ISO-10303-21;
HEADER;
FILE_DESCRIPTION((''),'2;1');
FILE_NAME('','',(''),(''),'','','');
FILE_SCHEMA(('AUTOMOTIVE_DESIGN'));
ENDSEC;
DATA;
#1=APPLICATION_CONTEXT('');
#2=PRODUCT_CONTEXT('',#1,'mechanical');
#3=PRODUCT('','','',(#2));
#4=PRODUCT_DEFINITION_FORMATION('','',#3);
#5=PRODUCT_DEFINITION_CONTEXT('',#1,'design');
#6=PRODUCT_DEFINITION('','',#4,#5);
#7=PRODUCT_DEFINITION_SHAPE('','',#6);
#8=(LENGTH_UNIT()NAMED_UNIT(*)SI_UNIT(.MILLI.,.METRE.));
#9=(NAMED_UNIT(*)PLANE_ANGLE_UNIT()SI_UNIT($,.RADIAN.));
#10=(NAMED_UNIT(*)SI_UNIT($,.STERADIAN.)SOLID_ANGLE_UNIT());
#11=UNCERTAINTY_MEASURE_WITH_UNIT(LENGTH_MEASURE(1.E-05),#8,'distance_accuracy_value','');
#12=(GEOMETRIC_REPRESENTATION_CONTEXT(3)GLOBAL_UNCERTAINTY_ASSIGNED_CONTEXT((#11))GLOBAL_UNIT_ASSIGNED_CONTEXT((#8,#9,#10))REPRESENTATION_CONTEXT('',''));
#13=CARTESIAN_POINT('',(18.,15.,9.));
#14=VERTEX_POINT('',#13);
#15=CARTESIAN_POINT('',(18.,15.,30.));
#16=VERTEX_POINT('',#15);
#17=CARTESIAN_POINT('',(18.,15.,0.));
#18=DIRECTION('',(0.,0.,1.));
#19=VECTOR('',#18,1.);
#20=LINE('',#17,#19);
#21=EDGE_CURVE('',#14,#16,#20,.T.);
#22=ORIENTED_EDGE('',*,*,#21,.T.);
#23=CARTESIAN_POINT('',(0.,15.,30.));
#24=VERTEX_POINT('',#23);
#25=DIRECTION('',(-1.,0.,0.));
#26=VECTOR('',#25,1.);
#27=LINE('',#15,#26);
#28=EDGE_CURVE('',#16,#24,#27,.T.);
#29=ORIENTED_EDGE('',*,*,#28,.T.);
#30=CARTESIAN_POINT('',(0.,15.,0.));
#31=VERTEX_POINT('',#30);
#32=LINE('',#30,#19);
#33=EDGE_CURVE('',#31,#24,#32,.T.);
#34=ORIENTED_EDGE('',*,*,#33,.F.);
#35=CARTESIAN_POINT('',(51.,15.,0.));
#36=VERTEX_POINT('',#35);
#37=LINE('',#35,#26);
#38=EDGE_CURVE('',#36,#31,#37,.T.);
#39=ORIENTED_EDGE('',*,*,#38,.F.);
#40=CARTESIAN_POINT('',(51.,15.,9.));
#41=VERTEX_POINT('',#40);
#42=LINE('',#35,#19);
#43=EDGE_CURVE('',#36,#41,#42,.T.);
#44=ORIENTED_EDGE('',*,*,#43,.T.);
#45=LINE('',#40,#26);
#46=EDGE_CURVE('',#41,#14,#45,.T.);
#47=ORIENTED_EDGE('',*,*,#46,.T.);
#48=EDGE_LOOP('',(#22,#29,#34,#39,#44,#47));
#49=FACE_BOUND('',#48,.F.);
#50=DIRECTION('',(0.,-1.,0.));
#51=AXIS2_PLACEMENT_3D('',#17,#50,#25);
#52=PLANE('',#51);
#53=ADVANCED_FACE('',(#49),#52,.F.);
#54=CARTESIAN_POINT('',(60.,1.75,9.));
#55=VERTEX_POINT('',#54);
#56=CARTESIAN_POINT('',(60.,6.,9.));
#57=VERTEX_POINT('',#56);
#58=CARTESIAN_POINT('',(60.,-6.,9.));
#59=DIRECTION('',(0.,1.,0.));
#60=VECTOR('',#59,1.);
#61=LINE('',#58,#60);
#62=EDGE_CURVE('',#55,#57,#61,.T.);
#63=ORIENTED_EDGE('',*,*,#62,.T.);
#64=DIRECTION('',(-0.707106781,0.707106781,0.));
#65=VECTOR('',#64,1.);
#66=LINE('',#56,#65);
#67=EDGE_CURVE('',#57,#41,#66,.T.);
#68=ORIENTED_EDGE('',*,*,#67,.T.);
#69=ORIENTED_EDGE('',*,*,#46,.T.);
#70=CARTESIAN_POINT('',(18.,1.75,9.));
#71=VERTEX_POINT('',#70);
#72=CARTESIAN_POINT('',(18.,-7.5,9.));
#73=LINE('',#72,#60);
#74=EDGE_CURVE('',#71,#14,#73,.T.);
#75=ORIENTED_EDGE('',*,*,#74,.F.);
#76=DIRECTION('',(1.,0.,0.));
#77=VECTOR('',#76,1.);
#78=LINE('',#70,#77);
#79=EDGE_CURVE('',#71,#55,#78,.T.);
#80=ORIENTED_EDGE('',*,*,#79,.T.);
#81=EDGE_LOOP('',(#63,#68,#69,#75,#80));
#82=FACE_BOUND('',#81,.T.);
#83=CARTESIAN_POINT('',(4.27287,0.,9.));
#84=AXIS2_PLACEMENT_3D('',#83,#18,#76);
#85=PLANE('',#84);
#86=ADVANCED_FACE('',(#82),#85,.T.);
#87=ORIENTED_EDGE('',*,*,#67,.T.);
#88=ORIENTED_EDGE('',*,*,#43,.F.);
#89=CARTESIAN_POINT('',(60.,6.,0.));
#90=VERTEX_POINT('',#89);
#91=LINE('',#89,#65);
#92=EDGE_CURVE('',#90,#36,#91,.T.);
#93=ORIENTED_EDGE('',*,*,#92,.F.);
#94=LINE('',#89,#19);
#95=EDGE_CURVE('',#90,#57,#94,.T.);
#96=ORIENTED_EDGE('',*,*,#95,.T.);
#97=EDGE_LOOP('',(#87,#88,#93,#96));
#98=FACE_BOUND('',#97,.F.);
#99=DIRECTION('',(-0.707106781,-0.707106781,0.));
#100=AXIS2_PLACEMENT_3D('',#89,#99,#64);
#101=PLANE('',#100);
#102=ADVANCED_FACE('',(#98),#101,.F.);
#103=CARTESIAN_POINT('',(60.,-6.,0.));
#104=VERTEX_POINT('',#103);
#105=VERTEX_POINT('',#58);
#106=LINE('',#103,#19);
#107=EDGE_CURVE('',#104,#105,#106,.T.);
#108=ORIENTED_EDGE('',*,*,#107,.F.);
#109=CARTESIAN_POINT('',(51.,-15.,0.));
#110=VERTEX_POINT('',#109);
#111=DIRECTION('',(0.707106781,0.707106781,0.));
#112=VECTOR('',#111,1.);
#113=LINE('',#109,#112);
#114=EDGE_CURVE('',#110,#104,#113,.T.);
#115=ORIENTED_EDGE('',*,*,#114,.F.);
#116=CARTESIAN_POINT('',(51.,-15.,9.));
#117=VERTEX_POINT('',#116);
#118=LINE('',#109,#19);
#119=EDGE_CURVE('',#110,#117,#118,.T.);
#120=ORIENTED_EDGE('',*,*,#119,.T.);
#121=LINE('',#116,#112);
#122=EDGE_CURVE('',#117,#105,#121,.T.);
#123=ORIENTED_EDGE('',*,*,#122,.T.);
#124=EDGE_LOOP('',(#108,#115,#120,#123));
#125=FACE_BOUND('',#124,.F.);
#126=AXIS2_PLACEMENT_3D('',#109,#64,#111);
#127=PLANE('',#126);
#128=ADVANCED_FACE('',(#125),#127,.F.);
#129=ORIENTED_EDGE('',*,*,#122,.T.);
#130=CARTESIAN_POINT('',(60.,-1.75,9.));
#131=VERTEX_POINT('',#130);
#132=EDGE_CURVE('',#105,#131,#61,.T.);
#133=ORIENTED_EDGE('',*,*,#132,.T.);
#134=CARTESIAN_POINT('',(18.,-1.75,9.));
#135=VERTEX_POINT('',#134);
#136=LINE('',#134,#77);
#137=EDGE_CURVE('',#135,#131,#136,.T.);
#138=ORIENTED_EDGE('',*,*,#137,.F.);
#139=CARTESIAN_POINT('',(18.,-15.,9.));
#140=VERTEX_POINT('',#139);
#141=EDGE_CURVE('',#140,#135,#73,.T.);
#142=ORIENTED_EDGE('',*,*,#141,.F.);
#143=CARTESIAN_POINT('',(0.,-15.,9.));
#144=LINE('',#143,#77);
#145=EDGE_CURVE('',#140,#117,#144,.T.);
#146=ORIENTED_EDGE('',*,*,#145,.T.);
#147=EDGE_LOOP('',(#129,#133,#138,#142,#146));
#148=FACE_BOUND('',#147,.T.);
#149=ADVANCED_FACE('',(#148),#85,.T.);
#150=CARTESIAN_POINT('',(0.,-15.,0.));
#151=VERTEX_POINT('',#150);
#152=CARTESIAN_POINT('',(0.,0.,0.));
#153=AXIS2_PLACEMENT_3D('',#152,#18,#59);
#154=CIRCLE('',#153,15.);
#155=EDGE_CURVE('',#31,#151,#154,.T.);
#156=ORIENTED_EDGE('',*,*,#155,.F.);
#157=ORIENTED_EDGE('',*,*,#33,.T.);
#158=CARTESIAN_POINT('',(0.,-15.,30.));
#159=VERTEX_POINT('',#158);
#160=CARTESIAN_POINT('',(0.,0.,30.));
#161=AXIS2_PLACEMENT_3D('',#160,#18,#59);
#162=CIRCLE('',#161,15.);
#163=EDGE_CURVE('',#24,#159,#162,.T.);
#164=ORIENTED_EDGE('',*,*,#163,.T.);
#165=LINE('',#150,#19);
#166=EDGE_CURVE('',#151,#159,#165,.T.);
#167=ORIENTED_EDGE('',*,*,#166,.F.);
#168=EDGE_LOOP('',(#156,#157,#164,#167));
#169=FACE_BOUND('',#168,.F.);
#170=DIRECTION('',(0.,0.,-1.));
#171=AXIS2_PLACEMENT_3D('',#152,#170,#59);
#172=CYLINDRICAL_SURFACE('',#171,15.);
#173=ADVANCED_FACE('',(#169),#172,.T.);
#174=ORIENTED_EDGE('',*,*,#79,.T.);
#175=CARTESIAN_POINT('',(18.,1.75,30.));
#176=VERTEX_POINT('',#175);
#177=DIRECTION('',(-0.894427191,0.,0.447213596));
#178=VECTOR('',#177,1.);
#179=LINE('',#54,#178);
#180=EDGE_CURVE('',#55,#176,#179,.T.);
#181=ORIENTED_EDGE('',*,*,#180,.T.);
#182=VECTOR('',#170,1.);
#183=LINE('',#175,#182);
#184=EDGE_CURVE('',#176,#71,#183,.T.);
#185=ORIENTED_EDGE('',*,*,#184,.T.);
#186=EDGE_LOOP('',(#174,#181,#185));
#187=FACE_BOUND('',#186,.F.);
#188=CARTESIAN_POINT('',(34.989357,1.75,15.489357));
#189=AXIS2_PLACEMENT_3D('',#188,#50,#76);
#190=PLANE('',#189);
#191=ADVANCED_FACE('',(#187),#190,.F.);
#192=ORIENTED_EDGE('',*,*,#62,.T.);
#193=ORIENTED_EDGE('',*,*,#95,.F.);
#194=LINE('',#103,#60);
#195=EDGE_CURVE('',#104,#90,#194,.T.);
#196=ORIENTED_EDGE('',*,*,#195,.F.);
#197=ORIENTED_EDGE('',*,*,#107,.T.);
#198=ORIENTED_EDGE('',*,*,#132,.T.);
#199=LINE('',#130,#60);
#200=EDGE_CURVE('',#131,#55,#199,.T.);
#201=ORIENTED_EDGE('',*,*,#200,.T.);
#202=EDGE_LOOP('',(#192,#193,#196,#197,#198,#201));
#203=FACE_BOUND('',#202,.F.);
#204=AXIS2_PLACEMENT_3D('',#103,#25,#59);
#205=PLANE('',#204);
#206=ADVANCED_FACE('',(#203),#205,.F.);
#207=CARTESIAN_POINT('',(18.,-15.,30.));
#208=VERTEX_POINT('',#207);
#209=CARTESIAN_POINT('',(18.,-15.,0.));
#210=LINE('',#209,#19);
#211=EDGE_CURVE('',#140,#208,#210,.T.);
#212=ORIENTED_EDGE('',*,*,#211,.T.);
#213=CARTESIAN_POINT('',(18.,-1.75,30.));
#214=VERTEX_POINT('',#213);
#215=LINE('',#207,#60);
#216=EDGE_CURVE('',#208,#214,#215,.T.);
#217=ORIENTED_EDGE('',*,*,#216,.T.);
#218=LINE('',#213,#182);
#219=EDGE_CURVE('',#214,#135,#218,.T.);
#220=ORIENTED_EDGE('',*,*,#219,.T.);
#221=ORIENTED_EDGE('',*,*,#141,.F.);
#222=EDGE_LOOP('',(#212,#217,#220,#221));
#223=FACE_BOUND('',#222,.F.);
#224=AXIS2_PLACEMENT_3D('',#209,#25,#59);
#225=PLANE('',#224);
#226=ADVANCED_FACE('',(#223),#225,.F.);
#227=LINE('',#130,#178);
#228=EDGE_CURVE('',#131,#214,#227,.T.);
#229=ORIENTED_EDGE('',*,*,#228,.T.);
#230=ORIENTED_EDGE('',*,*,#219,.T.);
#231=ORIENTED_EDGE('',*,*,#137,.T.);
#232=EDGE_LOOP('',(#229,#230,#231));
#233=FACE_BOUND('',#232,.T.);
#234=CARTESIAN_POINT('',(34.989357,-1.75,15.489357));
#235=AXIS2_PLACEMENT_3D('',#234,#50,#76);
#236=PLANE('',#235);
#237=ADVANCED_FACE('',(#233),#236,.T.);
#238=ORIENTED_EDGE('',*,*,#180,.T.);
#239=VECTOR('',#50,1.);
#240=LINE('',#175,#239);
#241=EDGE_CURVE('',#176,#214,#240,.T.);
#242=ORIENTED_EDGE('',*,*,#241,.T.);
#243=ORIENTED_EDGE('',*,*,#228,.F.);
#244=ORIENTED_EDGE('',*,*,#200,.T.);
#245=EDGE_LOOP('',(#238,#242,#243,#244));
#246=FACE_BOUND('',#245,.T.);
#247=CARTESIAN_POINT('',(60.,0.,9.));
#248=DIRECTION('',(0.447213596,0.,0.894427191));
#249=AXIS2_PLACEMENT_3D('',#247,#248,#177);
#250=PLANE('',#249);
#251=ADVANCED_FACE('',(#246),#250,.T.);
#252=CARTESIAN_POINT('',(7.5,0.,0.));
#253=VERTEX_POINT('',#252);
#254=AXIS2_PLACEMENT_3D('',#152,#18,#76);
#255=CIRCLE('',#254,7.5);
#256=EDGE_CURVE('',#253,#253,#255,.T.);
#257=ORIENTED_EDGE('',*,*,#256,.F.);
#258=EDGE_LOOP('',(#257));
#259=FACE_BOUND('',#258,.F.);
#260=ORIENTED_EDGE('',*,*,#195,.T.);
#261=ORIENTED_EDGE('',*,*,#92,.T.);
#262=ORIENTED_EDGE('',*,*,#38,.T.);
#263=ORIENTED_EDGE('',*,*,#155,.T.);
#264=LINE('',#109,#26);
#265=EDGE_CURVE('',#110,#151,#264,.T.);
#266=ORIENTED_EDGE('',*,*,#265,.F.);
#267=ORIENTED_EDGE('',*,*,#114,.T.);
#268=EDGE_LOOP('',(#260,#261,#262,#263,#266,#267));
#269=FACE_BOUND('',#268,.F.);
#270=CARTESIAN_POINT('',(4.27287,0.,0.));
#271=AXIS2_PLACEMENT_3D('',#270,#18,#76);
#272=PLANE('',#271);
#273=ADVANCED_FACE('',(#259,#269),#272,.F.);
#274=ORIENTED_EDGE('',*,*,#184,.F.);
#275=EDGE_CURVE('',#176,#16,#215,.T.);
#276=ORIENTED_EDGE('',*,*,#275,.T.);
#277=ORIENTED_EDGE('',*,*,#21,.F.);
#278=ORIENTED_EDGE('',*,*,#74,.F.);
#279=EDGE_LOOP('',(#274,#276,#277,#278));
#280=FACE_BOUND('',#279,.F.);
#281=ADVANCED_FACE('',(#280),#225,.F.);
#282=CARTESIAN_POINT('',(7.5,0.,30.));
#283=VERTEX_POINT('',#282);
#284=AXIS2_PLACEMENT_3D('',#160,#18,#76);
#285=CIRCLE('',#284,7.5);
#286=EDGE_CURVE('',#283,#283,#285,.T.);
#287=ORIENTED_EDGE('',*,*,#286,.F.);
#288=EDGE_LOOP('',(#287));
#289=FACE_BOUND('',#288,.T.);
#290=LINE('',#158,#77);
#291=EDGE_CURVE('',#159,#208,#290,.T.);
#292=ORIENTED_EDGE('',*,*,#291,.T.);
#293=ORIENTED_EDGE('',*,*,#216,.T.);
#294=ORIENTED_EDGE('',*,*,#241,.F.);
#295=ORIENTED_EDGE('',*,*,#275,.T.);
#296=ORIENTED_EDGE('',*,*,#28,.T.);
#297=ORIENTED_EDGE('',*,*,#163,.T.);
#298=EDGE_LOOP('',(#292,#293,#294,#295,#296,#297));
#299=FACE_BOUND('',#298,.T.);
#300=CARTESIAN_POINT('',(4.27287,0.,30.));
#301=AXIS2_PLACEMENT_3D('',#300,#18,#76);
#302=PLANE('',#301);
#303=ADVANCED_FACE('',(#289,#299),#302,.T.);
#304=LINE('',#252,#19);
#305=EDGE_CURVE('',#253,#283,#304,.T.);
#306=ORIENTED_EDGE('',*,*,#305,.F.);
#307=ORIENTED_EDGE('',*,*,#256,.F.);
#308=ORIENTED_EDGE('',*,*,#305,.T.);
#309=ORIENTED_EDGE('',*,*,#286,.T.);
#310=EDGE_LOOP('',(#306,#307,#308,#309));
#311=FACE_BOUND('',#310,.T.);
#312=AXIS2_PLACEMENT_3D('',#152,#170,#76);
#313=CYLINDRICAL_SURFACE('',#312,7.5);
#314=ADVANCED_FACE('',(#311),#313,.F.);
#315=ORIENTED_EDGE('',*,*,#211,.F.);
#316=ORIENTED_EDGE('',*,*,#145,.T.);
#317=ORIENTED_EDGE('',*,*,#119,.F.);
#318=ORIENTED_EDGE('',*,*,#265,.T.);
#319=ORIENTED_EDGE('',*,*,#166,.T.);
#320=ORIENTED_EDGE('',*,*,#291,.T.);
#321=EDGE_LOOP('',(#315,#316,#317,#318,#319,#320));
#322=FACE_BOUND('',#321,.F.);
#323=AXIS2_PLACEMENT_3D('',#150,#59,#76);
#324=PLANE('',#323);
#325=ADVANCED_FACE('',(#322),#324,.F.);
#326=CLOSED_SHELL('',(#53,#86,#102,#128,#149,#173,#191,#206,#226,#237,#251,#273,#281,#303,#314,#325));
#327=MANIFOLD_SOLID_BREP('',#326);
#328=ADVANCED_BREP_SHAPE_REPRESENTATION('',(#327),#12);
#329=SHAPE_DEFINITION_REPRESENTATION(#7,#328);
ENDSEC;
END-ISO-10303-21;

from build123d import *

# Parameters (mm, degrees)
F0_R     = 7.5
F1_DEPTH = 30
F2_DEPTH = 9
F4_DEPTH = 1.75


with BuildPart() as f1:
    # F0 (on Top) → F1 (new body)
    with BuildSketch(Plane.XY):
        with BuildLine():
            Line((18, 15), (0, 15))
            ThreePointArc((0, 15), (-15, 0), (0, -15))
            Line((0, -15), (18, -15))
            Line((18, -15), (18, 15))
        make_face()
        Circle(F0_R, mode=Mode.SUBTRACT)
    extrude(amount=F1_DEPTH)

    # F0 (on Top) → F2 (join)
    with BuildSketch(Plane.XY):
        with BuildLine():
            Line((18, 15), (0, 15))
            ThreePointArc((0, 15), (-15, 0), (0, -15))
            Line((0, -15), (18, -15))
            Line((18, -15), (18, 15))
        make_face()
        Circle(F0_R, mode=Mode.SUBTRACT)
        Polygon((51, 15), (18, 15), (18, -15), (51, -15), (60, -6), (60, 6), align=None)
    extrude(amount=F2_DEPTH)

    # F3 (on Front) → F4 (join, symmetric)
    with BuildSketch(Plane.XZ):
        Polygon((60, 9), (18, 30), (18, 9), align=None)
    extrude(amount=F4_DEPTH, both=True)


solid = f1.part
